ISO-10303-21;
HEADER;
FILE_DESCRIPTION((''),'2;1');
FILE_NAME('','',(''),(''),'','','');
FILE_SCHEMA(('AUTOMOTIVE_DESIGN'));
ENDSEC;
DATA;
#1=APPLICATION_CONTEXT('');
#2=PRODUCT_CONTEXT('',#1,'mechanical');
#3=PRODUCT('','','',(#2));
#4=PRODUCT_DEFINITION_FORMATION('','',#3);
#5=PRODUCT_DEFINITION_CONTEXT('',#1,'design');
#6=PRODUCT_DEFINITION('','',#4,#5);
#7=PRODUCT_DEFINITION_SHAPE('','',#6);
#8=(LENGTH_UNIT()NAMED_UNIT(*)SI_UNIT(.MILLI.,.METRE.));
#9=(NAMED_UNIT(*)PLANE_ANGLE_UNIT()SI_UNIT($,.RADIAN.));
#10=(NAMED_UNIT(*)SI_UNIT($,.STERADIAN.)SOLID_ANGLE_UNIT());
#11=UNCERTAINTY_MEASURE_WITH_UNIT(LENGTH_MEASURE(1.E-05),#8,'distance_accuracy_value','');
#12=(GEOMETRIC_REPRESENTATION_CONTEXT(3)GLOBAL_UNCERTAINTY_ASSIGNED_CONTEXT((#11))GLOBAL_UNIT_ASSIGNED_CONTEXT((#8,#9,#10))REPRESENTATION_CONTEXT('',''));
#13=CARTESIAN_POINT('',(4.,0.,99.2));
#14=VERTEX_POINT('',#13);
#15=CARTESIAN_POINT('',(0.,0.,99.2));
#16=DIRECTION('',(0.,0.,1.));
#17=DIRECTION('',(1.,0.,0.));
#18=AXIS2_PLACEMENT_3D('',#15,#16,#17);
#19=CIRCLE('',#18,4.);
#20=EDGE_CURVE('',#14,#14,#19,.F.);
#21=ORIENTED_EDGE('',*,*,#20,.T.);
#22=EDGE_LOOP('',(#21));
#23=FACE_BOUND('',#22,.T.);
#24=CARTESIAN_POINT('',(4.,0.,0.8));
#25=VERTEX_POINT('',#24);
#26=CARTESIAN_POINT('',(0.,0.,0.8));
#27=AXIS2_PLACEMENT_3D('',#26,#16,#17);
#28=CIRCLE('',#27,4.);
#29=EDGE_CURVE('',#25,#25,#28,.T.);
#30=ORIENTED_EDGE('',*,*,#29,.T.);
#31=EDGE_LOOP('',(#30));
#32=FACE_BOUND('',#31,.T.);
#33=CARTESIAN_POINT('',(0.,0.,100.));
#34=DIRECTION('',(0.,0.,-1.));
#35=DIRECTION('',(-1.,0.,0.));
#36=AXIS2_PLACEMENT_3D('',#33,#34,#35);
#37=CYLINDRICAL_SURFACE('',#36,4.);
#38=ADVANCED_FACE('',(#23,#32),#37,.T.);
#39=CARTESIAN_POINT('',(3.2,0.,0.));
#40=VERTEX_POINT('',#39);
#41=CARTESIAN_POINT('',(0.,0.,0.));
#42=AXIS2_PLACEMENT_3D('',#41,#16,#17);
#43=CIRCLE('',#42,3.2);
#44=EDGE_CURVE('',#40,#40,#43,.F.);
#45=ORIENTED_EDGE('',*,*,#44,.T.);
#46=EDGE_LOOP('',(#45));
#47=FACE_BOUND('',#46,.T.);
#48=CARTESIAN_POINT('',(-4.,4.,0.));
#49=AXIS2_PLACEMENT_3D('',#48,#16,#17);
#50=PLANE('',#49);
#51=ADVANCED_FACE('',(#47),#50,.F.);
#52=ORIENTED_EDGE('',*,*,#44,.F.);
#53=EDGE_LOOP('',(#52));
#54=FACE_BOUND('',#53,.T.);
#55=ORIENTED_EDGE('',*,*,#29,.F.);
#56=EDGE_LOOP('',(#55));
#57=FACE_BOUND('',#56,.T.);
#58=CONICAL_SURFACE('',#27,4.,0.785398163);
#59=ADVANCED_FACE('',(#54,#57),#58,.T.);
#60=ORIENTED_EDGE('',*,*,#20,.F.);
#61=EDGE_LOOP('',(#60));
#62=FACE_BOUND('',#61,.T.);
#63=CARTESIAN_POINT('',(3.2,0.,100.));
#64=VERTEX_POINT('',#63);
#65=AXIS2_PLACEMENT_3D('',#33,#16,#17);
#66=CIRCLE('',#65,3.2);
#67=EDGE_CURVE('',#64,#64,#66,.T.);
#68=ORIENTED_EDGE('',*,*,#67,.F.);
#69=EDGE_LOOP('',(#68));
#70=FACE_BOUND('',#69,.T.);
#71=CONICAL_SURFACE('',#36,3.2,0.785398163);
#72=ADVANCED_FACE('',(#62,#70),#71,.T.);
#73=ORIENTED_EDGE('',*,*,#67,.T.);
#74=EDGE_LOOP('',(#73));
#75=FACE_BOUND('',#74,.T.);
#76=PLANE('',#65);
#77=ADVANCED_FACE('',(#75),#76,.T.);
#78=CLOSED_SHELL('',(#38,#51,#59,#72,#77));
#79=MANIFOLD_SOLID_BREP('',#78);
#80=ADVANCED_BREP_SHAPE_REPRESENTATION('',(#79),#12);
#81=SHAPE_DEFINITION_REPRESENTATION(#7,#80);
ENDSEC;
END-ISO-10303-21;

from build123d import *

# Parameters (mm, degrees)
SKETCH1_R               = 4
EXTRUDE1_DEPTH          = 100
CHAMFER1_SIZE           = 0.8
SKETCH2_W               = 103.982490854
SKETCH2_H               = 8.719679173
CUT_EXTRUDE1_DEPTH      = 5
CUT_EXTRUDE1_DEPTH_BACK = 5
CHAMFER2_SIZE           = 0.8


with BuildPart() as part:
    # Sketch1 → Extrude1 (new body, symmetric)
    with BuildSketch(Plane.XY):
        Circle(SKETCH1_R)
    extrude(amount=EXTRUDE1_DEPTH, both=True)

    # Chamfer1
    chamfer1_edges = [part.edges().sort_by_distance(p)[0] for p in [
        (-4, 0, -100),
        (-4, 0, 100),
    ]]
    chamfer(chamfer1_edges, length=CHAMFER1_SIZE)

    # Sketch2 → Cut-Extrude1 (cut, two sides)
    with BuildSketch(Plane(origin=(0, 0, 0), x_dir=(0, 0, -1), z_dir=(1, 0, 0))) as cut_extrude1_sk:
        with Locations((51.991245427, -0.359839587)):
            Rectangle(SKETCH2_W, SKETCH2_H)
    extrude(amount=CUT_EXTRUDE1_DEPTH, mode=Mode.SUBTRACT)
    extrude(cut_extrude1_sk.sketch, amount=-CUT_EXTRUDE1_DEPTH_BACK, mode=Mode.SUBTRACT)

    # Chamfer2
    chamfer2_edges = [part.edges().sort_by_distance(p)[0] for p in [
        (-4, 0, 0),
    ]]
    chamfer(chamfer2_edges, length=CHAMFER2_SIZE)


solid = part.part
